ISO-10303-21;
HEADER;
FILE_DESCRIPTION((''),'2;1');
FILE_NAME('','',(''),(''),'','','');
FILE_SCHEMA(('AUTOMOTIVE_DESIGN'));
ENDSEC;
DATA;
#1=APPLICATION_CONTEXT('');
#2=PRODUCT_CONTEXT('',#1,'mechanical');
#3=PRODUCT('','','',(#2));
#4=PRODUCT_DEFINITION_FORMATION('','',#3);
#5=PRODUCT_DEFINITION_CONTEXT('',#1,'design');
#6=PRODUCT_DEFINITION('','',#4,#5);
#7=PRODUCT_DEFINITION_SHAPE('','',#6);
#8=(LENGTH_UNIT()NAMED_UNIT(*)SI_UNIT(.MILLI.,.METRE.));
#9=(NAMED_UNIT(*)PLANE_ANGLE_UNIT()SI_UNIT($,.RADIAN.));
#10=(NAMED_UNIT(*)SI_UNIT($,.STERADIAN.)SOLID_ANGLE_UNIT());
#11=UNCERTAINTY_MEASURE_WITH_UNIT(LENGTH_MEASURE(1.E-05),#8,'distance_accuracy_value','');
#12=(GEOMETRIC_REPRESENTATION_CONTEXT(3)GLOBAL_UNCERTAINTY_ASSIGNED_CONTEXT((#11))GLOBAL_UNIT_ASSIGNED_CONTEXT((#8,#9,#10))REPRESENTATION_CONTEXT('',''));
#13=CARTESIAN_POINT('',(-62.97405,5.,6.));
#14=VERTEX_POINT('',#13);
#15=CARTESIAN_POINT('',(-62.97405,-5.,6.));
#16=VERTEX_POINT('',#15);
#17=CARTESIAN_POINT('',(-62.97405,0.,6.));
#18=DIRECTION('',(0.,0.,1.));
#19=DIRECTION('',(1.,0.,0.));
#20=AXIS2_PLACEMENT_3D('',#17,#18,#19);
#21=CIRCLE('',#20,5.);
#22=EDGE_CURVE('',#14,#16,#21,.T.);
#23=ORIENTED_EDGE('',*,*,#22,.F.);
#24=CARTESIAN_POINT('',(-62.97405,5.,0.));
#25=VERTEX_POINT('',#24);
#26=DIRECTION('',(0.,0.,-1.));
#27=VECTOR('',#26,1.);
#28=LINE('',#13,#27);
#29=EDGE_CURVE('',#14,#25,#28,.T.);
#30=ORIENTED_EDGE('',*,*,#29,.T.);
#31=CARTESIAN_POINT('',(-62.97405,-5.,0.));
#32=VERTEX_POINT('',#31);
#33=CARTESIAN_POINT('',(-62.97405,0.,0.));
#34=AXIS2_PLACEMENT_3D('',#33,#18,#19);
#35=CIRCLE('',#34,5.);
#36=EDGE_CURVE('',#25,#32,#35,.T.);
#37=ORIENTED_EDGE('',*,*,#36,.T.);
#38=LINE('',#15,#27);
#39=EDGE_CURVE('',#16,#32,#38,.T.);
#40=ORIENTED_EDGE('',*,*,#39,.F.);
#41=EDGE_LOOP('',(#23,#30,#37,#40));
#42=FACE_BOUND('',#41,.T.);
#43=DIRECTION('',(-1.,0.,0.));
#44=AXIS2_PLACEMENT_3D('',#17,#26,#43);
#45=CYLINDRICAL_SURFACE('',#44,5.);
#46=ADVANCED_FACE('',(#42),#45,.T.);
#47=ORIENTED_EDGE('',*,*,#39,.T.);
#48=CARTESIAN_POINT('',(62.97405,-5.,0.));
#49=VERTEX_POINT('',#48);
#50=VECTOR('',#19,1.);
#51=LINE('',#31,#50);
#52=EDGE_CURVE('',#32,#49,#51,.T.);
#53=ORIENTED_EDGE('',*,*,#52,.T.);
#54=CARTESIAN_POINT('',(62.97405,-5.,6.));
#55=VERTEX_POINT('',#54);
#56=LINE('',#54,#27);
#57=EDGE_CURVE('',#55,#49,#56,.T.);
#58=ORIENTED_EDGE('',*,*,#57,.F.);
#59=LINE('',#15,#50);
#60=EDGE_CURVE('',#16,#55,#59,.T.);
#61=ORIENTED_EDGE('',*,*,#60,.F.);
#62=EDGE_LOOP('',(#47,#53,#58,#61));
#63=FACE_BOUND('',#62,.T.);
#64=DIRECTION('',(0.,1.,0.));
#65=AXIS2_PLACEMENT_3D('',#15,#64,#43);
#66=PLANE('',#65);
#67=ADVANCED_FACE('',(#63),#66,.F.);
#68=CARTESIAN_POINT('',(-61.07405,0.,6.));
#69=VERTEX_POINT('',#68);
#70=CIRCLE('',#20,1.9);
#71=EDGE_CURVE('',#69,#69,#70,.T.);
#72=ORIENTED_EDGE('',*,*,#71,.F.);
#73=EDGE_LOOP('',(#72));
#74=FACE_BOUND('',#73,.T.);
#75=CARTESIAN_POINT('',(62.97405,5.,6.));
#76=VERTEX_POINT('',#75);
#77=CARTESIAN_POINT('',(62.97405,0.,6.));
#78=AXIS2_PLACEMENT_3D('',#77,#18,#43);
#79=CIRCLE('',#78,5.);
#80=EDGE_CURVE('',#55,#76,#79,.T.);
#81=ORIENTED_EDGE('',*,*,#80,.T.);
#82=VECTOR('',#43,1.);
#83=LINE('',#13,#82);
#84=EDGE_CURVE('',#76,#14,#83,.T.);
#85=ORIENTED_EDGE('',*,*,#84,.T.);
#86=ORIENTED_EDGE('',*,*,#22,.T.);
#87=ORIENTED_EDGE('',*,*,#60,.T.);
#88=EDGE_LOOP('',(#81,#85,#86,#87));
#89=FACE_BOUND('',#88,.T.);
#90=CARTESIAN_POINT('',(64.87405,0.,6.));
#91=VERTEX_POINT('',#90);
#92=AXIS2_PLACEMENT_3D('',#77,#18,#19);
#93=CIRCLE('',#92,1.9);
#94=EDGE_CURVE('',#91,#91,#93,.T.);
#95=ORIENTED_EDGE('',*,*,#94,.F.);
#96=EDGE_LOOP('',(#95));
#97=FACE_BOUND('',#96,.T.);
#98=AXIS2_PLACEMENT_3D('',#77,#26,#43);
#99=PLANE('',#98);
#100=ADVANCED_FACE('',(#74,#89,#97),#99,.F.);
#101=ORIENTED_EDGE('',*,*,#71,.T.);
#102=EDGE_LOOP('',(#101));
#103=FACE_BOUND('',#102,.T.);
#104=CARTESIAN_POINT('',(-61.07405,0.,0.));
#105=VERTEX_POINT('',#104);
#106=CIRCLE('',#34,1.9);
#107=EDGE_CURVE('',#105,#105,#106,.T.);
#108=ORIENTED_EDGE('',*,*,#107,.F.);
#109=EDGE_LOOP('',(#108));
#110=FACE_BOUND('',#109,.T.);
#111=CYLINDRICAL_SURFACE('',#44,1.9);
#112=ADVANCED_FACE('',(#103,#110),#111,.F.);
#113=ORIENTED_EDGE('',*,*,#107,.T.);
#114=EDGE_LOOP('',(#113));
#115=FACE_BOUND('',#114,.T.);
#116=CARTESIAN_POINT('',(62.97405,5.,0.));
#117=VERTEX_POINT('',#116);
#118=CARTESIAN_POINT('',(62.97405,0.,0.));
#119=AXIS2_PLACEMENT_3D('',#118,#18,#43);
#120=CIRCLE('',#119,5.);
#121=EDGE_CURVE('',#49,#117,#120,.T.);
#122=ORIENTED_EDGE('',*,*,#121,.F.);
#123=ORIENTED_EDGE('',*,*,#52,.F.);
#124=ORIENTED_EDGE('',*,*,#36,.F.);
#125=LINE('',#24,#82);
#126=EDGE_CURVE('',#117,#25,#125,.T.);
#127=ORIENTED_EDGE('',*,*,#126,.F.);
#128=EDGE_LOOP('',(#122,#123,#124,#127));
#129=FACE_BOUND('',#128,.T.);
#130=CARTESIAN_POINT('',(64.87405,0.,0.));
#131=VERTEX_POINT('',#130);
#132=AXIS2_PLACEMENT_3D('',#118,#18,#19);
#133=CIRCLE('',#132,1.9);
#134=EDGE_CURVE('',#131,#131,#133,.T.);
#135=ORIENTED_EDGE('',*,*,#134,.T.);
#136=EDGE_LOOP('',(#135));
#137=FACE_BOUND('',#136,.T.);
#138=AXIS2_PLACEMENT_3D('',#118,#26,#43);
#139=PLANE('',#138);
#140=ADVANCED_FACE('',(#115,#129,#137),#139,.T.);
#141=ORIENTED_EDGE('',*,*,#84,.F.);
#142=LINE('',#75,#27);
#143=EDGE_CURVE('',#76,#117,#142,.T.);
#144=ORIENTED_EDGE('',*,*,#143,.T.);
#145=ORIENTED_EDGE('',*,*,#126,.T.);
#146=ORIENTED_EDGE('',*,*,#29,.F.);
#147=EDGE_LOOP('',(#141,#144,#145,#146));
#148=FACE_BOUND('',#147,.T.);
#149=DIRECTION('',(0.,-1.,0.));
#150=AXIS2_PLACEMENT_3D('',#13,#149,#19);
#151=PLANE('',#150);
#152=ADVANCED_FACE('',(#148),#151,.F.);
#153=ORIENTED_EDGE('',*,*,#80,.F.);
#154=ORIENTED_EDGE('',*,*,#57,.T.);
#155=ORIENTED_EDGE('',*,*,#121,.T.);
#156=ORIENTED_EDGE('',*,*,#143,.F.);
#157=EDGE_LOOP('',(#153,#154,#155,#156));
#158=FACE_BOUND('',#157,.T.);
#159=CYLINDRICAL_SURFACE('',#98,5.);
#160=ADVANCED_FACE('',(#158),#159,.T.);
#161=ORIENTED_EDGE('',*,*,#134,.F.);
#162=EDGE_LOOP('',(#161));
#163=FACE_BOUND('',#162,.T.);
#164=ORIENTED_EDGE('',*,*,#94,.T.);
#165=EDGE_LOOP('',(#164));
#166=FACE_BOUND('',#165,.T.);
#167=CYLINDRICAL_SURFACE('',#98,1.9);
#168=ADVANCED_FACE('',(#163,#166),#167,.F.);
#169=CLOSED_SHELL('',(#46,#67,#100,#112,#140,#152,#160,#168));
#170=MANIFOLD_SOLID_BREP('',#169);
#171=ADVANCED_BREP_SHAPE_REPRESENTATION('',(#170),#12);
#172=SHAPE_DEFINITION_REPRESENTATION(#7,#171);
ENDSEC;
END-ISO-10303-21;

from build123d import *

# Parameters (mm, degrees)
SKETCH1_R           = 1.9
BOSS_EXTRUDE1_DEPTH = 6


with BuildPart() as part:
    # Sketch1 → Boss-Extrude1 (new body)
    with BuildSketch(Plane.XY):
        with BuildLine():
            Line((-62.97405025, 5), (62.97405025, 5))
            ThreePointArc((62.97405025, 5), (67.97405025, 0), (62.97405025, -5))
            Line((62.97405025, -5), (-62.97405025, -5))
            ThreePointArc((-62.97405025, -5), (-67.97405025, 0), (-62.97405025, 5))
        make_face()
        with Locations((-62.97405025, 0)):
            Circle(SKETCH1_R, mode=Mode.SUBTRACT)
        with Locations((62.97405025, 0)):
            Circle(SKETCH1_R, mode=Mode.SUBTRACT)
    extrude(amount=BOSS_EXTRUDE1_DEPTH)


solid = part.part
